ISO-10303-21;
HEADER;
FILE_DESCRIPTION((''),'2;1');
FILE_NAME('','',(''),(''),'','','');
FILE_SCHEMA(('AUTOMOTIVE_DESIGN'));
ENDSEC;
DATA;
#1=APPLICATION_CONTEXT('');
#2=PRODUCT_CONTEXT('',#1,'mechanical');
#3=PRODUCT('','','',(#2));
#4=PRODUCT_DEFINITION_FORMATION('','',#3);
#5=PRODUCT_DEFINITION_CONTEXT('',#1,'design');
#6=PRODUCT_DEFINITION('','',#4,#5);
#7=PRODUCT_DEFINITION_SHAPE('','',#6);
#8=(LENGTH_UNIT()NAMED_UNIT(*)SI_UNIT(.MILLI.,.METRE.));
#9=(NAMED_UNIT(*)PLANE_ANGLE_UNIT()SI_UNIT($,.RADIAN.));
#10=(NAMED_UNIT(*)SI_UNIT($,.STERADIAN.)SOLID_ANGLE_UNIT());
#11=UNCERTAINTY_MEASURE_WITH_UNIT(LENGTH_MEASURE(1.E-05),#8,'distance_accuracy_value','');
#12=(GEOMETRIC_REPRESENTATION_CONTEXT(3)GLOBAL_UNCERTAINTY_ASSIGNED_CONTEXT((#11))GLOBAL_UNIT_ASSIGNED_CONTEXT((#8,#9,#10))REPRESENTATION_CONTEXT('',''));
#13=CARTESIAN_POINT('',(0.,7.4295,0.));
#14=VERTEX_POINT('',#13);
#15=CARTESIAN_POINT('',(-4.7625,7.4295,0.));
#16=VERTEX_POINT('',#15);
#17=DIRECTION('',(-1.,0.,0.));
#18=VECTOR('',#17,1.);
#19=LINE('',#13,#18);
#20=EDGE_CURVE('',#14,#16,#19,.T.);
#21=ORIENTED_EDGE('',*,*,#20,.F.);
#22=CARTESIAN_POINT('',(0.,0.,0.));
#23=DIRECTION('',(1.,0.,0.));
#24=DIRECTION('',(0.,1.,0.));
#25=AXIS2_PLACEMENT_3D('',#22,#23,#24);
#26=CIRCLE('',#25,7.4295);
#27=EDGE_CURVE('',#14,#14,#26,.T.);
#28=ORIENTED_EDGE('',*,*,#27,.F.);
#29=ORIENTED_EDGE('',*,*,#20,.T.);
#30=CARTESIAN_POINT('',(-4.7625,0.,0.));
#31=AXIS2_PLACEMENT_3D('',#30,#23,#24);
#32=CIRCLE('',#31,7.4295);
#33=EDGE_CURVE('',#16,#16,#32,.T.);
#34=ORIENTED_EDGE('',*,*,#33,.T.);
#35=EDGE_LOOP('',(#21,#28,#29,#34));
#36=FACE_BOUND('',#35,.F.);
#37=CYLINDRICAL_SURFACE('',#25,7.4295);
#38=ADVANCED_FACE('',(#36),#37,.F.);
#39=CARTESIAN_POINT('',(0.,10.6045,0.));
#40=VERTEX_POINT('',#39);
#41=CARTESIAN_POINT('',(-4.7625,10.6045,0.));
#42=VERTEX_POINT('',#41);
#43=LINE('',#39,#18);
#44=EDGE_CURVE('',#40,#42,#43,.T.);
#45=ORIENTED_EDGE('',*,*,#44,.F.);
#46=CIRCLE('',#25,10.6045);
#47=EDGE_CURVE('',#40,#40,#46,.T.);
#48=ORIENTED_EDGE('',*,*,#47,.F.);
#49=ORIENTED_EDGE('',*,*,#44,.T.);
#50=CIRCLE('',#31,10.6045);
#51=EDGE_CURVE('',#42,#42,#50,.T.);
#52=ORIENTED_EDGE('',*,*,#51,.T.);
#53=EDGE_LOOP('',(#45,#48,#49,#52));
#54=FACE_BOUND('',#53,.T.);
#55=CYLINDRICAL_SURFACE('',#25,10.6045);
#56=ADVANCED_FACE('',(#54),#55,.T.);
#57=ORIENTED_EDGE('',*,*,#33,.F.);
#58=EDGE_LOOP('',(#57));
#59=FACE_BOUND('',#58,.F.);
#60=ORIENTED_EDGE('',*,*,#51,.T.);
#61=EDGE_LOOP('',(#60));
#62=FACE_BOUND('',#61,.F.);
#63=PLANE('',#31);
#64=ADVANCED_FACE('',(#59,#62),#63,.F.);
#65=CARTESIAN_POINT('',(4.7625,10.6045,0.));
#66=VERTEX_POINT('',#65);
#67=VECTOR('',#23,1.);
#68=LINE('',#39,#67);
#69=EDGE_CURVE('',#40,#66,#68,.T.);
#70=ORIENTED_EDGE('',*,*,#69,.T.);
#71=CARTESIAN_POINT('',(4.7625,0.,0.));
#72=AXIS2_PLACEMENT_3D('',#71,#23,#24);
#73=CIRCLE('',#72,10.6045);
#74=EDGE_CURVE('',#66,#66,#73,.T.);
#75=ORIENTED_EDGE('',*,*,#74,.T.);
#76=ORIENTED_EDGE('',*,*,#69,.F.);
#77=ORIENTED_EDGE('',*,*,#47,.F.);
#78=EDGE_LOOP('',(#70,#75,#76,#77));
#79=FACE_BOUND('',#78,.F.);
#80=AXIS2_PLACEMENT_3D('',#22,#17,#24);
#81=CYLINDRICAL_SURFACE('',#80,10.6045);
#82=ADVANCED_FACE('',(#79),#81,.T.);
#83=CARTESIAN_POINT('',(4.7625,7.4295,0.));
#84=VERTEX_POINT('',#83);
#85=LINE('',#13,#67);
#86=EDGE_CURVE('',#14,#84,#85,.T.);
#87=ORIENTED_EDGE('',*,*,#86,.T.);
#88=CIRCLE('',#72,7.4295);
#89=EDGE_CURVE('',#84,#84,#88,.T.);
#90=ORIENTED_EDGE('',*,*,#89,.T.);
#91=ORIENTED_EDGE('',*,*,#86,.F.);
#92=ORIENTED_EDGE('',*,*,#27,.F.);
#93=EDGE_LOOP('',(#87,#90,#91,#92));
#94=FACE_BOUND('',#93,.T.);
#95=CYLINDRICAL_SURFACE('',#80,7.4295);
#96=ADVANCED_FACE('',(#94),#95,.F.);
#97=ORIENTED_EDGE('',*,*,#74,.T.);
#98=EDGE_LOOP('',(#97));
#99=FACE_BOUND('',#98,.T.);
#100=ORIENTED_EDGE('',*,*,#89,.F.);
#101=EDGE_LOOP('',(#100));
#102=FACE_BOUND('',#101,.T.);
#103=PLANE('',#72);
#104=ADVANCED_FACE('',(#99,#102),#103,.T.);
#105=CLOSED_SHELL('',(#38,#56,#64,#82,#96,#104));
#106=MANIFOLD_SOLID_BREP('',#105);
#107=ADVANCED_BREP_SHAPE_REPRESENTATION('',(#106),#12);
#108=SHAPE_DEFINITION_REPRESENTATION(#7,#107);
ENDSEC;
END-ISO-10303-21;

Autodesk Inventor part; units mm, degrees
ref_plane "YZ Plane" through (0, 0, 0) normal (1, 0, 0) x (0, 1, 0)
ref_plane "XZ Plane" through (0, 0, 0) normal (0, 1, 0) x (-1, 0, 0)
ref_plane "XY Plane" through (0, 0, 0) normal (0, 0, 1) x (1, 0, 0)
sketch "Sketch1" plane through (0, 0, 0) normal (1, 0, 0) x (0, 1, 0)
  circle A0 centre (0, 0) radius 7.4295
  circle A1 centre (0, 0) radius 10.6045
  dimension "d0" = 14.859
  dimension "d1" = 3.175
extrude "Extrusion1" add sketch "Sketch1" along normal mid plane 9.525
properties part number "EL2-CGB-012" material "ABS Plastic"
